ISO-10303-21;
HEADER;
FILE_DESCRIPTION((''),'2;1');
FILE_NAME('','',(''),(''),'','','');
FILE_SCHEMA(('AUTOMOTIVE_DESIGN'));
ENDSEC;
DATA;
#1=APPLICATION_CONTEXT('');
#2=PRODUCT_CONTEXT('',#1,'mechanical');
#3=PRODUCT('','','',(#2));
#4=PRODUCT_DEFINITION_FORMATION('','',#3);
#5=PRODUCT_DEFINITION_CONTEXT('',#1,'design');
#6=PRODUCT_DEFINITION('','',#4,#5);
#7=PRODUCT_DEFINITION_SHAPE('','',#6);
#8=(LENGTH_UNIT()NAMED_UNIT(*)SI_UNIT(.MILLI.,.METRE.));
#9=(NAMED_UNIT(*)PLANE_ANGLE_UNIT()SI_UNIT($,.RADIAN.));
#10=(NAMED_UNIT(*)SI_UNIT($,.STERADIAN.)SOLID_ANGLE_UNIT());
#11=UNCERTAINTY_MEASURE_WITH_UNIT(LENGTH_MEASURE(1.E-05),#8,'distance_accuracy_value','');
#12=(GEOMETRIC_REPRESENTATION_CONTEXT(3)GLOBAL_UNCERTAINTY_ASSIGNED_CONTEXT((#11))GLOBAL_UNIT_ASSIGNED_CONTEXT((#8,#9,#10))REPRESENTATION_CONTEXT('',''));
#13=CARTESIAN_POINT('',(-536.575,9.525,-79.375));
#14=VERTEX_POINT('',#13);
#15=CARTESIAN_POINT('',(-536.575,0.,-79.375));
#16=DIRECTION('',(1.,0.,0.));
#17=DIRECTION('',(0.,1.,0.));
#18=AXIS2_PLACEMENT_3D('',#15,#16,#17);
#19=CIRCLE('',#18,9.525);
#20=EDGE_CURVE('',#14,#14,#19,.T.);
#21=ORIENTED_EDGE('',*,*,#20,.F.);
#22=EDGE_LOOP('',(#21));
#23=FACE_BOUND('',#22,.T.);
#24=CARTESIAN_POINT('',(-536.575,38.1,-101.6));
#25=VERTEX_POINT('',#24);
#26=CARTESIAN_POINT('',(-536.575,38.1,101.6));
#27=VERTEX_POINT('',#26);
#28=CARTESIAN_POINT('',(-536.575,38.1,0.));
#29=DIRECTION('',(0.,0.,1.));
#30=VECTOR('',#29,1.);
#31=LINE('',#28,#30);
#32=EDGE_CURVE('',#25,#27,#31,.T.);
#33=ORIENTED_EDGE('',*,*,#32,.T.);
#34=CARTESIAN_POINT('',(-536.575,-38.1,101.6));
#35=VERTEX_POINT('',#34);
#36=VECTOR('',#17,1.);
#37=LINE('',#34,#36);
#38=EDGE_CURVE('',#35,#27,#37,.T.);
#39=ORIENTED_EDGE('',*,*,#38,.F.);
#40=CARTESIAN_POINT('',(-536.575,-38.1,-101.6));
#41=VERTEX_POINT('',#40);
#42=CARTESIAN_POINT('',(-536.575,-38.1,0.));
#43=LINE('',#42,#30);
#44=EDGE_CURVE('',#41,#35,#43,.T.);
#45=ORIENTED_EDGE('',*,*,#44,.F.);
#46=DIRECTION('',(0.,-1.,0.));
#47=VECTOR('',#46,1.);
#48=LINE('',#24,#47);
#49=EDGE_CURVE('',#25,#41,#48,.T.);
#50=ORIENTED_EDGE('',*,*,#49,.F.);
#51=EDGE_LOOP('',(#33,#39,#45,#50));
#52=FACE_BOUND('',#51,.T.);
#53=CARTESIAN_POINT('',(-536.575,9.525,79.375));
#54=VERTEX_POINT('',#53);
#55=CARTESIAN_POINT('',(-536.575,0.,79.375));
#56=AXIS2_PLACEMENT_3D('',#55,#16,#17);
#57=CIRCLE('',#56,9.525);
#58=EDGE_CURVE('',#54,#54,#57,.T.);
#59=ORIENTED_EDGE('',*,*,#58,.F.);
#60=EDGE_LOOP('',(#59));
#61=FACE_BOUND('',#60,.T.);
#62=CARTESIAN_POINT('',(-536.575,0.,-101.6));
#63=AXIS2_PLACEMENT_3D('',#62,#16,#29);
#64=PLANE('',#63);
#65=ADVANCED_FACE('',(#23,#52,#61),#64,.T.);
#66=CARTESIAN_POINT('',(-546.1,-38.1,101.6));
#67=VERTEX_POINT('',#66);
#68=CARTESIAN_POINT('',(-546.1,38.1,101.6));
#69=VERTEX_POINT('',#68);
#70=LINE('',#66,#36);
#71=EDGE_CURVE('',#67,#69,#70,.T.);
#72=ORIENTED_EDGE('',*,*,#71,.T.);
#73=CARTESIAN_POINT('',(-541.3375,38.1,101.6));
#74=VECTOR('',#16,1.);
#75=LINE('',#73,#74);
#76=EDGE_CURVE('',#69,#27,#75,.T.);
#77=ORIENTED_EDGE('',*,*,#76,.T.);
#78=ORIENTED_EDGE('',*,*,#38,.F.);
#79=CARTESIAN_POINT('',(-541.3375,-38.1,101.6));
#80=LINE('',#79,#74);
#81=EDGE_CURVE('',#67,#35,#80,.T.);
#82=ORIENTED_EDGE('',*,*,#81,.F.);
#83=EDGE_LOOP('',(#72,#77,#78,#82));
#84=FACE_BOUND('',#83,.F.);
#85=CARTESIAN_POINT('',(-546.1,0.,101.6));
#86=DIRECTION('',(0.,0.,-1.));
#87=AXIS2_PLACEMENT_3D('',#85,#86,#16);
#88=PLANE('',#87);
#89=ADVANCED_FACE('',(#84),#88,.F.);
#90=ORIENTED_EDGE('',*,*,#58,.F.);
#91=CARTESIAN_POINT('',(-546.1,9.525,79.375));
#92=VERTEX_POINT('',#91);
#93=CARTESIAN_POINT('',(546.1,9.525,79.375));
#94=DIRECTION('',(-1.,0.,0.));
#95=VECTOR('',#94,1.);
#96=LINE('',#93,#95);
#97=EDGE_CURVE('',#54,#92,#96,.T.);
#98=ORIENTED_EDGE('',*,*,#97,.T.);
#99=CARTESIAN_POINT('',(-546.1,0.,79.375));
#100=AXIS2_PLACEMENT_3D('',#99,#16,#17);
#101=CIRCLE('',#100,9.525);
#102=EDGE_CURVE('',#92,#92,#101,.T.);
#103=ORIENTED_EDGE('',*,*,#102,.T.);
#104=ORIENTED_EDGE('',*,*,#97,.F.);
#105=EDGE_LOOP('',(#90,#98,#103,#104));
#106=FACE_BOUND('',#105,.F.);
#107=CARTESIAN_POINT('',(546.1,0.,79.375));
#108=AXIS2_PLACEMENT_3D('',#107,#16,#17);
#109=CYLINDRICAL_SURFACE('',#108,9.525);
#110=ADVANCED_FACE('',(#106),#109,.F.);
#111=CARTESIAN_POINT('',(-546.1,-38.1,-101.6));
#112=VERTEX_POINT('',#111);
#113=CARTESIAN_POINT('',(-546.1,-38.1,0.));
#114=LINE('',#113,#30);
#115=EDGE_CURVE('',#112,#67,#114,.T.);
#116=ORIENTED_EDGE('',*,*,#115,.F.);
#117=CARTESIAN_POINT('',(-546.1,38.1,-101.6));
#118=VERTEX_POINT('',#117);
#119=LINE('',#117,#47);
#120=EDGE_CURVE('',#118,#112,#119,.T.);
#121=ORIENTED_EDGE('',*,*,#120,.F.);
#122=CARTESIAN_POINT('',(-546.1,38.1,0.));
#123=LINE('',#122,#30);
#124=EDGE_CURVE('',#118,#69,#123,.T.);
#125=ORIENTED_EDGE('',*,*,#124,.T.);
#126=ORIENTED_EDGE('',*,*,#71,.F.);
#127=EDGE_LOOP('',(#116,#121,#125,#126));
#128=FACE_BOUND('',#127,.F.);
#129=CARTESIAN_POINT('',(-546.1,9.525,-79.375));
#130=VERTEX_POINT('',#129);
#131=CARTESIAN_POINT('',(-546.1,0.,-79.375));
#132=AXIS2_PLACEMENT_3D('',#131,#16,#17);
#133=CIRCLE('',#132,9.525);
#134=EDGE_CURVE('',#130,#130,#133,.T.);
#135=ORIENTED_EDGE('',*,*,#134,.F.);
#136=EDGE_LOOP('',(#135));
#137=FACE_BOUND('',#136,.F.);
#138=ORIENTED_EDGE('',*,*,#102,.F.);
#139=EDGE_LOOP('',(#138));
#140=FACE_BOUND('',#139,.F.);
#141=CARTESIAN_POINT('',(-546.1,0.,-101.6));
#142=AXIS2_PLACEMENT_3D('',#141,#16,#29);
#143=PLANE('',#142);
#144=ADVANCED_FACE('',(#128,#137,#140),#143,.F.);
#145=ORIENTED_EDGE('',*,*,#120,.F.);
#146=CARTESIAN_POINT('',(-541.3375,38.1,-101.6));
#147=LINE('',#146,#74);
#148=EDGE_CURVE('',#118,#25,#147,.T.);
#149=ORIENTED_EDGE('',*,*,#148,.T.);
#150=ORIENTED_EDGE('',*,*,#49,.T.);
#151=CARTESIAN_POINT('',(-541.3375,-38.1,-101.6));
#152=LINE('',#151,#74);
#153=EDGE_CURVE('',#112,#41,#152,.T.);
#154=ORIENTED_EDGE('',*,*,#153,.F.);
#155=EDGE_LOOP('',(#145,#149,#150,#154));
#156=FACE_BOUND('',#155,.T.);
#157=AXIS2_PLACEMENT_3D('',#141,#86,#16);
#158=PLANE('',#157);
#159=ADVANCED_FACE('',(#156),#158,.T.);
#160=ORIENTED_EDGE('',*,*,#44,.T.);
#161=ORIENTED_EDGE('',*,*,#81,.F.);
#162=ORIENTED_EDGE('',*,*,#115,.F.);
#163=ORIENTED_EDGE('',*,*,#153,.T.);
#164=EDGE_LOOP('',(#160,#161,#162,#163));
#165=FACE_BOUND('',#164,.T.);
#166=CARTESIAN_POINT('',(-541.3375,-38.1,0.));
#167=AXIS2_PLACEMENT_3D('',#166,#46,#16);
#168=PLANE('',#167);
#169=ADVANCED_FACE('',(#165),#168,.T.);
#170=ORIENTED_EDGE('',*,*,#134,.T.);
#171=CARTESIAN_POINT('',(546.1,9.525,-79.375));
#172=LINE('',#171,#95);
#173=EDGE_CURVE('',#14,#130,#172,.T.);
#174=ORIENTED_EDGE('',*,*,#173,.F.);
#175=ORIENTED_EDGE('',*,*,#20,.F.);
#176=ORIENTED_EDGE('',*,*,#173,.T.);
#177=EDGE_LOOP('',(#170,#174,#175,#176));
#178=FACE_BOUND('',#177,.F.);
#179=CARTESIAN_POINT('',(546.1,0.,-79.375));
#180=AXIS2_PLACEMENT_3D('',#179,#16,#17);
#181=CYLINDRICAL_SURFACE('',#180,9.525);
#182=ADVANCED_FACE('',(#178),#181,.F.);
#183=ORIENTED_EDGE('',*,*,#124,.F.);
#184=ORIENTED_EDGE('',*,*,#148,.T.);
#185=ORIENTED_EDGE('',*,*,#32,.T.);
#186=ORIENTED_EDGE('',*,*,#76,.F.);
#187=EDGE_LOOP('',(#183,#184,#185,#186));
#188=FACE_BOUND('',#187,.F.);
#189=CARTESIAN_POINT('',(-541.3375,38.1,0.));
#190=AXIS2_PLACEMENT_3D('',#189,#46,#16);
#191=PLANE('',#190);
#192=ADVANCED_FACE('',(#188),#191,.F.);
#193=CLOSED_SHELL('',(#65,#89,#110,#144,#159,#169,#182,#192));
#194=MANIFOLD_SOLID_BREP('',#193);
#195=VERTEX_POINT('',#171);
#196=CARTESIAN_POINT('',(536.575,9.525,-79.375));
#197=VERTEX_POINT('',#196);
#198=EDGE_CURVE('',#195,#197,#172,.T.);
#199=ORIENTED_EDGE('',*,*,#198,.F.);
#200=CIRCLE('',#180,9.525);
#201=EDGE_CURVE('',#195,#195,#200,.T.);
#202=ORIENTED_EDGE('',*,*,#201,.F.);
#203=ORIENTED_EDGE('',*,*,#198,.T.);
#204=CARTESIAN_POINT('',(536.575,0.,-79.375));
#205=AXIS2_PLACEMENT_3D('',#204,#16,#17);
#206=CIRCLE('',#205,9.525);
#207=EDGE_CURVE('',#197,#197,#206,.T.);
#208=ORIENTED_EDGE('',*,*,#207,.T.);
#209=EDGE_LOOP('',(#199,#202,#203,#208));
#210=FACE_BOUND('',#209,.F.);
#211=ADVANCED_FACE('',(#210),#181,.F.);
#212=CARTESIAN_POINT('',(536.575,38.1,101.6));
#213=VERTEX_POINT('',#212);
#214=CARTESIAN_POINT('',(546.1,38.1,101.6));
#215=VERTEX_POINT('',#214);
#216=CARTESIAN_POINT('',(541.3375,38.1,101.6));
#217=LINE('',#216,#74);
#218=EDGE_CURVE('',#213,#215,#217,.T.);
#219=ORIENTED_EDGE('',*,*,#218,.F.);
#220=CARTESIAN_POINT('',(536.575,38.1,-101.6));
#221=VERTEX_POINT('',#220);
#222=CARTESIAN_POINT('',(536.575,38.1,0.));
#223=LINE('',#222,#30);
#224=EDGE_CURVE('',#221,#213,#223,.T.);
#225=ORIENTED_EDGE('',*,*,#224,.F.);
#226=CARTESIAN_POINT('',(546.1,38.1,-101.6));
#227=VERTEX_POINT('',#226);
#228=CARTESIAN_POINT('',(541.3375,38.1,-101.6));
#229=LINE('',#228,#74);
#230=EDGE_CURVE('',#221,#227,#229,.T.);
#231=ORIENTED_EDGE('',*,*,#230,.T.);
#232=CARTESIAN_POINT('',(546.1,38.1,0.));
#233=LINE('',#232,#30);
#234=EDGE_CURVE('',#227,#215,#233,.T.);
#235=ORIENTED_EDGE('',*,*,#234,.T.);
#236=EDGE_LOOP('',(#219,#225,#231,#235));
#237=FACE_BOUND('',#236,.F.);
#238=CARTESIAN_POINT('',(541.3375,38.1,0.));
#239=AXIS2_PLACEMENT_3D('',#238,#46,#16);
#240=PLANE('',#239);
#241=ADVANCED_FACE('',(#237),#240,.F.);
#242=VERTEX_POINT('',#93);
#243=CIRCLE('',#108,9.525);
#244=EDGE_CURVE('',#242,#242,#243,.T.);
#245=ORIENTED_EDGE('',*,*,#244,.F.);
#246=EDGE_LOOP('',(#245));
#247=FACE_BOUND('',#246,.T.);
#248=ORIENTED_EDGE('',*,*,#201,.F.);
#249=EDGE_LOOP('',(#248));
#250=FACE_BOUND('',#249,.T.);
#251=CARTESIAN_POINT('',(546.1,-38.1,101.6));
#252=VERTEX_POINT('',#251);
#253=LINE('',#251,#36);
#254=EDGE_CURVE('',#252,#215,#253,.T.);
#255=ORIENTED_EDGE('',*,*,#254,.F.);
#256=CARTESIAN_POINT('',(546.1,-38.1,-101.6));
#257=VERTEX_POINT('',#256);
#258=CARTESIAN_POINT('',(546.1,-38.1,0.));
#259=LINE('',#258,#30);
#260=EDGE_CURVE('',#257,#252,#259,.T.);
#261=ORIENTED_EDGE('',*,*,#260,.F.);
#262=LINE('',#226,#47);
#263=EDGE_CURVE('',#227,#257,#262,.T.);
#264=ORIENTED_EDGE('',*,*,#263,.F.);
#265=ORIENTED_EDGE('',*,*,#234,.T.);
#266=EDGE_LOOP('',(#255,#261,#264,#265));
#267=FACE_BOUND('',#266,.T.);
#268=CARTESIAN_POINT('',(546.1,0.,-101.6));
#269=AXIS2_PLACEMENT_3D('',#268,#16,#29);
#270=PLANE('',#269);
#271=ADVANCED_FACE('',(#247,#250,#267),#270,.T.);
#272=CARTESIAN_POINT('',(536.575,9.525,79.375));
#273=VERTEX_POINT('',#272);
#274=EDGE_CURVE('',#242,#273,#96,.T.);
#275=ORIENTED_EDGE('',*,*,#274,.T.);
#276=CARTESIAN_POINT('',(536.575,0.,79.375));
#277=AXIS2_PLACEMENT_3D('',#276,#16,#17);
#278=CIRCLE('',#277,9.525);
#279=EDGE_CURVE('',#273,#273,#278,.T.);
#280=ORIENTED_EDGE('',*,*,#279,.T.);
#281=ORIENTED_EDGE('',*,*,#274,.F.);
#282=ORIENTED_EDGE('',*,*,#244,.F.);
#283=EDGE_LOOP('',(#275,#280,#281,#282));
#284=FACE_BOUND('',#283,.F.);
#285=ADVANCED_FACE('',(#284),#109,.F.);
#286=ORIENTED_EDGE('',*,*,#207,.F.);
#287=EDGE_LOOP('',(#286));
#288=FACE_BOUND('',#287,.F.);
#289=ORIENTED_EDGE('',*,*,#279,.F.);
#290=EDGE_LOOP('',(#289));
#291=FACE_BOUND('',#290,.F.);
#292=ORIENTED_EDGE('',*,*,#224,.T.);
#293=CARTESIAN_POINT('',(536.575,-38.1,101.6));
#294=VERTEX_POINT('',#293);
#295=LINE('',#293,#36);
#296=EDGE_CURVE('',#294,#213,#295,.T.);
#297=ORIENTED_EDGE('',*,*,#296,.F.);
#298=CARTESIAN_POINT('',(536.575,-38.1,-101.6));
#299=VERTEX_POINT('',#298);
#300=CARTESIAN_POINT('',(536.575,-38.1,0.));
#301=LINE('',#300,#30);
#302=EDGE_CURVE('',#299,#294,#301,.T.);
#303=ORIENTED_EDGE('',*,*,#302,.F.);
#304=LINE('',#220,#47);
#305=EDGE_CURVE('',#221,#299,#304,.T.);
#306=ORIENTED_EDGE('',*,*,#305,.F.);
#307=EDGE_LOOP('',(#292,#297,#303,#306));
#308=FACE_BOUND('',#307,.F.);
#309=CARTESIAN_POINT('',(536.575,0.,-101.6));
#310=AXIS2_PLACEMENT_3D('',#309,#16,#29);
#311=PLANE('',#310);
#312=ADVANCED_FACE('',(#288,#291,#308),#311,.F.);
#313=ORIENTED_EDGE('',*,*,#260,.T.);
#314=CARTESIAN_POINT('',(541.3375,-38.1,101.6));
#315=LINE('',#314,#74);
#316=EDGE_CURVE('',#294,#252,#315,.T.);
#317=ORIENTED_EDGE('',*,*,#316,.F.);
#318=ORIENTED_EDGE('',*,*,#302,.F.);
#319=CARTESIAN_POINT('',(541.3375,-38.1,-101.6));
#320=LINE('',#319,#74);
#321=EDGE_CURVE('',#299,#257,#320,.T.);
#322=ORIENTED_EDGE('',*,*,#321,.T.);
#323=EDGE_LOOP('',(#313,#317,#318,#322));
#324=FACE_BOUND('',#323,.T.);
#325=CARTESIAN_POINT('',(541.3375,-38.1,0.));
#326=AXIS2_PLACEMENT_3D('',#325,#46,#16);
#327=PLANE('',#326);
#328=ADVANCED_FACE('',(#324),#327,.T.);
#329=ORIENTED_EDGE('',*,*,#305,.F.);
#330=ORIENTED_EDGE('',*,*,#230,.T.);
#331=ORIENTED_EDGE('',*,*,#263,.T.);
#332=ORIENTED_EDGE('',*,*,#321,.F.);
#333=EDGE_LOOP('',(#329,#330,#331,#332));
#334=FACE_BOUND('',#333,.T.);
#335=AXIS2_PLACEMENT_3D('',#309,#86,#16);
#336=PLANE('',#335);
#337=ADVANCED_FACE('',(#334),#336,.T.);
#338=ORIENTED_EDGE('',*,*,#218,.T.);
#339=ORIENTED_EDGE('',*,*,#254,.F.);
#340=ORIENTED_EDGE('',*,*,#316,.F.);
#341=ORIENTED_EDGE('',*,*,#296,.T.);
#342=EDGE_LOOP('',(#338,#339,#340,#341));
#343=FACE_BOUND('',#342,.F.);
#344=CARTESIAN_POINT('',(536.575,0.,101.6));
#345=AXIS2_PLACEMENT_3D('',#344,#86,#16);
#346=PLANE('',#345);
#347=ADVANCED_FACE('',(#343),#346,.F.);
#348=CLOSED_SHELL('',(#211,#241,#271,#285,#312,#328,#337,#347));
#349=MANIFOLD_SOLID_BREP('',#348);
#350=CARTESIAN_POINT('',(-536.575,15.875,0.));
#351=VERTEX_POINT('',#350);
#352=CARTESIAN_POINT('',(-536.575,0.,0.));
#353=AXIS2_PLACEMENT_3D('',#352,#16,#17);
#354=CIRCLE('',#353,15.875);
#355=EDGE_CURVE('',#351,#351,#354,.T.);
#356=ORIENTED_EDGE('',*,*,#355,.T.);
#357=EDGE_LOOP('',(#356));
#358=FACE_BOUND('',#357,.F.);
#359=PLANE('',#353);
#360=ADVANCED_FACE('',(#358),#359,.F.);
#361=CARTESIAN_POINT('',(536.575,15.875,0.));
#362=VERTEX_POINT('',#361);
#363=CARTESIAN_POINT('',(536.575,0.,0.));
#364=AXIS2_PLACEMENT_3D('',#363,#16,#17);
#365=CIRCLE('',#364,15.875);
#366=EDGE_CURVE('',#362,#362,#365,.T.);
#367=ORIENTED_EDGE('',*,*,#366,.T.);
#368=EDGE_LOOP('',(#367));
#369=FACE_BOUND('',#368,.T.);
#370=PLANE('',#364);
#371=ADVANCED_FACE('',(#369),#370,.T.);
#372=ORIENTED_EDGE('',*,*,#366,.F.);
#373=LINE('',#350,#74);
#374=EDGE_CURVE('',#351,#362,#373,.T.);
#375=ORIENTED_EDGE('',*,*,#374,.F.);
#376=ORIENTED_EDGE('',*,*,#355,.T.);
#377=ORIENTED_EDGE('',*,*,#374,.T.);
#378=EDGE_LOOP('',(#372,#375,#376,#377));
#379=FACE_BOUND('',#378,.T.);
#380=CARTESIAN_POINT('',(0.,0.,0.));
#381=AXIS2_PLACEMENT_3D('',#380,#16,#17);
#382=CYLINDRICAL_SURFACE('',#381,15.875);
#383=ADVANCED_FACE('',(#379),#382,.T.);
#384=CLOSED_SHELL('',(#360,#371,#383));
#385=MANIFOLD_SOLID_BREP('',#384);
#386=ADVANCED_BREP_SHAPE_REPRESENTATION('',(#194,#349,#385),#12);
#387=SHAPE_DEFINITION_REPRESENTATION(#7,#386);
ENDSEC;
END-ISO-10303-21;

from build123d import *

# Parameters (mm, degrees)
F0_W          = 9.525
F0_H          = 203.2
F1_DEPTH      = 38.1
F1_DEPTH_BACK = 38.1
F2_R          = 15.875
F3_DEPTH      = 536.575
F3_DEPTH_BACK = 536.575
F4_R          = 9.525
F5_DEPTH      = 1092.201


with BuildPart() as f1:
    # F0 (on Front) → F1 (new body, two sides)
    with BuildSketch(Plane.XZ) as f1_sk:
        with Locations((-541.3375, 0)):
            Rectangle(F0_W, F0_H)
        with Locations((541.3375, 0)):
            Rectangle(F0_W, F0_H)
    extrude(amount=F1_DEPTH)
    extrude(f1_sk.sketch, amount=-F1_DEPTH_BACK)

    # F4 (on face) → F5 (cut, through all)
    with BuildSketch(Plane.YZ.offset(546.1)):
        with Locations((0, -79.375)):
            Circle(F4_R)
        with Locations((0, 79.375)):
            Circle(F4_R)
    extrude(amount=-F5_DEPTH, mode=Mode.SUBTRACT)


with BuildPart() as f3:
    # F2 (on Right) → F3 (new body, two sides)
    with BuildSketch(Plane.YZ) as f3_sk:
        Circle(F2_R)
    extrude(amount=F3_DEPTH)
    extrude(f3_sk.sketch, amount=-F3_DEPTH_BACK)


solid = Compound([f1.part, f3.part])
